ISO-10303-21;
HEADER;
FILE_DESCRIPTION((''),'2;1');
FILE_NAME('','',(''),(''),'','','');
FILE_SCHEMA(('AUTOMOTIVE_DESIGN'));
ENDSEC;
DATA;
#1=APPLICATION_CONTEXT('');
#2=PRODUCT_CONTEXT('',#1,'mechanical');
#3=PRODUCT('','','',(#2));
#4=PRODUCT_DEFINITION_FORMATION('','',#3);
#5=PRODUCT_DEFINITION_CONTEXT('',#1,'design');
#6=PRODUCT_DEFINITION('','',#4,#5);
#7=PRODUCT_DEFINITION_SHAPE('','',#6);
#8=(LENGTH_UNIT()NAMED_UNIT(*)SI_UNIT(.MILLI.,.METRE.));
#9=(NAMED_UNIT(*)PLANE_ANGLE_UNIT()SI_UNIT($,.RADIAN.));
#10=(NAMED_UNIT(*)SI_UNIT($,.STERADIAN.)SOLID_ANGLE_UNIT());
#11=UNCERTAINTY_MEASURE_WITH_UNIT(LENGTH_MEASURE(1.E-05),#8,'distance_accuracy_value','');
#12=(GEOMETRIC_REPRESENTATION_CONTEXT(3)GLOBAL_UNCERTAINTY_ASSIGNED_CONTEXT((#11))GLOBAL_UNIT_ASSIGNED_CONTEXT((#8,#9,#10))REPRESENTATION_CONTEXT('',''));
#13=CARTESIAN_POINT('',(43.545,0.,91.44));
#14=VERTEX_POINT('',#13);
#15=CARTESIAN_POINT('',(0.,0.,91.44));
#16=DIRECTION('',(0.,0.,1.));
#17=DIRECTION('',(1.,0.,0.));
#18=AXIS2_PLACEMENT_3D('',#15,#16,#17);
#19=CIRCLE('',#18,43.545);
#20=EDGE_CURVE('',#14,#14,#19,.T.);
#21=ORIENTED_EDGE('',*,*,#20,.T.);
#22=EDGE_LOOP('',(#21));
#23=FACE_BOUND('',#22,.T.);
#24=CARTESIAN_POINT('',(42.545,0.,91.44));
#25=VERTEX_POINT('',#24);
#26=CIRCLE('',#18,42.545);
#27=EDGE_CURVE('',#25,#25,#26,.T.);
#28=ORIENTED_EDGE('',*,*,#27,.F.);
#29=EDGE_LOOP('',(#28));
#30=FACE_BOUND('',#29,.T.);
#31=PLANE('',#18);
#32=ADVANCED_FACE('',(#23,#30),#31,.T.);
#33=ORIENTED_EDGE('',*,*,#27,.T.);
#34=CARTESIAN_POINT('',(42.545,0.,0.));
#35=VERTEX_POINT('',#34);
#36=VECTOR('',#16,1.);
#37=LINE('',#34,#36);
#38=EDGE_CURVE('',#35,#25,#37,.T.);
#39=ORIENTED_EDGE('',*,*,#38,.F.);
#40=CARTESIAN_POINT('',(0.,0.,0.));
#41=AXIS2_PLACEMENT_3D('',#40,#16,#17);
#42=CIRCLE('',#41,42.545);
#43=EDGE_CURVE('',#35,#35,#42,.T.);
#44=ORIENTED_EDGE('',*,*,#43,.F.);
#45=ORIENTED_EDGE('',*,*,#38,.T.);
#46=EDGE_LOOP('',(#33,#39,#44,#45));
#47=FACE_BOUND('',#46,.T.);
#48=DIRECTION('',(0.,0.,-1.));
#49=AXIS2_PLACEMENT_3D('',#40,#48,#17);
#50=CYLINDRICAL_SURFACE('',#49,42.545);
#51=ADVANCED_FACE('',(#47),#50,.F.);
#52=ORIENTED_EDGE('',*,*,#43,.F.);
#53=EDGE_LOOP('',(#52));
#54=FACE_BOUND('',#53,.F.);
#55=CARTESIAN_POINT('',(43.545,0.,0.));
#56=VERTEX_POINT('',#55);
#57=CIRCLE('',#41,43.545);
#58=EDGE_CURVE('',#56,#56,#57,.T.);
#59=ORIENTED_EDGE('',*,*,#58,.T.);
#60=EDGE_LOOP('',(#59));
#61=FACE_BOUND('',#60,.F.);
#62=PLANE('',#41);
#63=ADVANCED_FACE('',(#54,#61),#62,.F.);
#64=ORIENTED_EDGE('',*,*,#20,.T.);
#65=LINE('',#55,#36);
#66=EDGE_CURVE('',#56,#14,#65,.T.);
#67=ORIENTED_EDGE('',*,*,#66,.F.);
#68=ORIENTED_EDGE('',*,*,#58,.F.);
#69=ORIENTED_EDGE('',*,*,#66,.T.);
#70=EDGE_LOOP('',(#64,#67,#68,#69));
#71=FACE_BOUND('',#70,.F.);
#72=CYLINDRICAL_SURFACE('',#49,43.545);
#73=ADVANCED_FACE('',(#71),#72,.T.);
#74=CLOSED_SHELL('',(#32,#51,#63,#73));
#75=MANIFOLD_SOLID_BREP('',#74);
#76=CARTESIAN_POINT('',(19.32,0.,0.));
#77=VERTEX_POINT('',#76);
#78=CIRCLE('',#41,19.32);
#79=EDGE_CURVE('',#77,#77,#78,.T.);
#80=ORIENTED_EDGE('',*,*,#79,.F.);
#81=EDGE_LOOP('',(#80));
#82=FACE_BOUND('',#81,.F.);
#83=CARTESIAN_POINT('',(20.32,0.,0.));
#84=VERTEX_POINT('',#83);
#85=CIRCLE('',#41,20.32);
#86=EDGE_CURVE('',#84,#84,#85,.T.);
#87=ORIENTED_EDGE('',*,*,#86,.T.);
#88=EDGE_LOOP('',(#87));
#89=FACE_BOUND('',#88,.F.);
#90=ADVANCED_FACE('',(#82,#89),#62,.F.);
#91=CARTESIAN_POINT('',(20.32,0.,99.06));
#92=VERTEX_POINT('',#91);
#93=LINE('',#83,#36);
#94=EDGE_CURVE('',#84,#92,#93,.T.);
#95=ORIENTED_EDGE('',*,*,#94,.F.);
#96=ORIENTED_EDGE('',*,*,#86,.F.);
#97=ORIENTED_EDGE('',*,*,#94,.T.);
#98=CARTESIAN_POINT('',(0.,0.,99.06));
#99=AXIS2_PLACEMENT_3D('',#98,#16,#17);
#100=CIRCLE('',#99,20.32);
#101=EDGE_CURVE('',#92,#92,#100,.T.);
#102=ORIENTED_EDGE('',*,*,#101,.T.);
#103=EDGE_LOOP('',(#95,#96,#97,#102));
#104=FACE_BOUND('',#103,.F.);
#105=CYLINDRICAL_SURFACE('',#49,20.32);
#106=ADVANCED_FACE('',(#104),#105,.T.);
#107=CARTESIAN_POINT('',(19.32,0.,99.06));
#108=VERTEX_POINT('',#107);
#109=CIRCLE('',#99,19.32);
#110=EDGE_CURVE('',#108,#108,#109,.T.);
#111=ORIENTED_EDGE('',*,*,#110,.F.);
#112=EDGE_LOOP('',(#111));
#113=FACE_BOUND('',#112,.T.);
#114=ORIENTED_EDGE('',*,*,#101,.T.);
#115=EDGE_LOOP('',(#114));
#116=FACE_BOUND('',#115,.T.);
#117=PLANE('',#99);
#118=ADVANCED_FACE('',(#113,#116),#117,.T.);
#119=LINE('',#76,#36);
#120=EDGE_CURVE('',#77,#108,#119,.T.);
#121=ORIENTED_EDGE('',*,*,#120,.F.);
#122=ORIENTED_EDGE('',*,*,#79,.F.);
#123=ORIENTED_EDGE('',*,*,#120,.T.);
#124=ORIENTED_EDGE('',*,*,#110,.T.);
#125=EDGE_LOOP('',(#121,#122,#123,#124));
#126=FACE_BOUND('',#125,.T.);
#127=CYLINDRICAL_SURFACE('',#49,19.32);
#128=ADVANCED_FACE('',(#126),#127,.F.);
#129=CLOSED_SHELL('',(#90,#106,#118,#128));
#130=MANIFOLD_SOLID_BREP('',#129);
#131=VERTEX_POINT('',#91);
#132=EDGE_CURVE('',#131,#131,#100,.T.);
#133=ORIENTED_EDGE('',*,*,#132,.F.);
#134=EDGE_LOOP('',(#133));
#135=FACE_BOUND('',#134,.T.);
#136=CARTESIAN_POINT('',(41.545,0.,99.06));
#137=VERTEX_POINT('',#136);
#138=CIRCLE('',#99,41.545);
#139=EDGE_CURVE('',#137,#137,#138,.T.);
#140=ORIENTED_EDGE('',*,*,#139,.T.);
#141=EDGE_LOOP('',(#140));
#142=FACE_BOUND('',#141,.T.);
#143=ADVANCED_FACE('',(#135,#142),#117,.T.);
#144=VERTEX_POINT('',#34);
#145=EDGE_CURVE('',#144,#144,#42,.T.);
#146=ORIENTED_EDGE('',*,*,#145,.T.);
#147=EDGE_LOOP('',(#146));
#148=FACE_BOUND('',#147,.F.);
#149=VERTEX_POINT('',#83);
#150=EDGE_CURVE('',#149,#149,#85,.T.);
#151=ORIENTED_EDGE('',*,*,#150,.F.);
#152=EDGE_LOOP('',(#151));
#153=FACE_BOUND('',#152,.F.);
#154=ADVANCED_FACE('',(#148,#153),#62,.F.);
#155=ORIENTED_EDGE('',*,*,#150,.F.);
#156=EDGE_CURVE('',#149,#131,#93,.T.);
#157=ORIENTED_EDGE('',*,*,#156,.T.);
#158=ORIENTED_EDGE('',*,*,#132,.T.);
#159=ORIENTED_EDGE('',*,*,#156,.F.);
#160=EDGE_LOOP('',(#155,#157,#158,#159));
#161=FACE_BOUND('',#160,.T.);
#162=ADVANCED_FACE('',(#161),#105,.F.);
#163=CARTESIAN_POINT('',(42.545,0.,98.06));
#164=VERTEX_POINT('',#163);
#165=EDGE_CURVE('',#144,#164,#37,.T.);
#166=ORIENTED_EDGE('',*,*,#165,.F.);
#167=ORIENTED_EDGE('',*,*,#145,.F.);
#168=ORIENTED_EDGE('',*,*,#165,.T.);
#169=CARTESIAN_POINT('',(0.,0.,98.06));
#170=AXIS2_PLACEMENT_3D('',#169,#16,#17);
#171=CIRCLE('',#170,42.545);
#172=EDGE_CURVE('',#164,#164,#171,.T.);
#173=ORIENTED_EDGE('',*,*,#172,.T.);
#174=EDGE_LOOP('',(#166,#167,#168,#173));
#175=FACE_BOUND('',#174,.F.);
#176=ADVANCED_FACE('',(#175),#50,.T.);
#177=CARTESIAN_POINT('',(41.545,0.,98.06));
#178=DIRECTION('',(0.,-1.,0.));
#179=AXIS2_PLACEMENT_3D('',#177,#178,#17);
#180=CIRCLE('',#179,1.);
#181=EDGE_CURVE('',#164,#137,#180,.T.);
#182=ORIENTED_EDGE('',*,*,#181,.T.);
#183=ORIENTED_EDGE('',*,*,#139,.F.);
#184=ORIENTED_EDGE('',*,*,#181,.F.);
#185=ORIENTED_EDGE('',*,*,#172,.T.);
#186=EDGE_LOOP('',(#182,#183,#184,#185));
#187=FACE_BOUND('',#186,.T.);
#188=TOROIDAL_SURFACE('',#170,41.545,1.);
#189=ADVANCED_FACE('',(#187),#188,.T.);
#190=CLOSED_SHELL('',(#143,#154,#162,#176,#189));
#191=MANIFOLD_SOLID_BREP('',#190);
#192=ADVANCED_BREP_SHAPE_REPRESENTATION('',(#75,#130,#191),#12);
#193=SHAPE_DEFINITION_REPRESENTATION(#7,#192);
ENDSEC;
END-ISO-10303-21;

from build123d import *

# Parameters (mm, degrees)
F0_R     = 42.545
F0_R_2   = 20.32
F1_DEPTH = 99.06
F2_R     = 1
F0_R_3   = 19.32
F3_DEPTH = 99.06
F0_R_4   = 43.545
F4_DEPTH = 91.44


with BuildPart() as f1:
    # F0 (on Top) → F1 (new body)
    with BuildSketch(Plane.XY):
        Circle(F0_R)
        Circle(F0_R_2, mode=Mode.SUBTRACT)
    extrude(amount=F1_DEPTH)

    # F2
    f2_edges = [f1.edges().sort_by_distance(p)[0] for p in [
        (-42.545, 0, 99.06),
    ]]
    fillet(f2_edges, radius=F2_R)


with BuildPart() as f3:
    # F0 (on Top) → F3 (new body)
    with BuildSketch(Plane.XY):
        Circle(F0_R_2)
        Circle(F0_R_3, mode=Mode.SUBTRACT)
    extrude(amount=F3_DEPTH)


with BuildPart() as f4:
    # F0 (on Top) → F4 (new body)
    with BuildSketch(Plane.XY):
        Circle(F0_R_4)
        Circle(F0_R, mode=Mode.SUBTRACT)
    extrude(amount=F4_DEPTH)


solid = Compound([f1.part, f3.part, f4.part])
